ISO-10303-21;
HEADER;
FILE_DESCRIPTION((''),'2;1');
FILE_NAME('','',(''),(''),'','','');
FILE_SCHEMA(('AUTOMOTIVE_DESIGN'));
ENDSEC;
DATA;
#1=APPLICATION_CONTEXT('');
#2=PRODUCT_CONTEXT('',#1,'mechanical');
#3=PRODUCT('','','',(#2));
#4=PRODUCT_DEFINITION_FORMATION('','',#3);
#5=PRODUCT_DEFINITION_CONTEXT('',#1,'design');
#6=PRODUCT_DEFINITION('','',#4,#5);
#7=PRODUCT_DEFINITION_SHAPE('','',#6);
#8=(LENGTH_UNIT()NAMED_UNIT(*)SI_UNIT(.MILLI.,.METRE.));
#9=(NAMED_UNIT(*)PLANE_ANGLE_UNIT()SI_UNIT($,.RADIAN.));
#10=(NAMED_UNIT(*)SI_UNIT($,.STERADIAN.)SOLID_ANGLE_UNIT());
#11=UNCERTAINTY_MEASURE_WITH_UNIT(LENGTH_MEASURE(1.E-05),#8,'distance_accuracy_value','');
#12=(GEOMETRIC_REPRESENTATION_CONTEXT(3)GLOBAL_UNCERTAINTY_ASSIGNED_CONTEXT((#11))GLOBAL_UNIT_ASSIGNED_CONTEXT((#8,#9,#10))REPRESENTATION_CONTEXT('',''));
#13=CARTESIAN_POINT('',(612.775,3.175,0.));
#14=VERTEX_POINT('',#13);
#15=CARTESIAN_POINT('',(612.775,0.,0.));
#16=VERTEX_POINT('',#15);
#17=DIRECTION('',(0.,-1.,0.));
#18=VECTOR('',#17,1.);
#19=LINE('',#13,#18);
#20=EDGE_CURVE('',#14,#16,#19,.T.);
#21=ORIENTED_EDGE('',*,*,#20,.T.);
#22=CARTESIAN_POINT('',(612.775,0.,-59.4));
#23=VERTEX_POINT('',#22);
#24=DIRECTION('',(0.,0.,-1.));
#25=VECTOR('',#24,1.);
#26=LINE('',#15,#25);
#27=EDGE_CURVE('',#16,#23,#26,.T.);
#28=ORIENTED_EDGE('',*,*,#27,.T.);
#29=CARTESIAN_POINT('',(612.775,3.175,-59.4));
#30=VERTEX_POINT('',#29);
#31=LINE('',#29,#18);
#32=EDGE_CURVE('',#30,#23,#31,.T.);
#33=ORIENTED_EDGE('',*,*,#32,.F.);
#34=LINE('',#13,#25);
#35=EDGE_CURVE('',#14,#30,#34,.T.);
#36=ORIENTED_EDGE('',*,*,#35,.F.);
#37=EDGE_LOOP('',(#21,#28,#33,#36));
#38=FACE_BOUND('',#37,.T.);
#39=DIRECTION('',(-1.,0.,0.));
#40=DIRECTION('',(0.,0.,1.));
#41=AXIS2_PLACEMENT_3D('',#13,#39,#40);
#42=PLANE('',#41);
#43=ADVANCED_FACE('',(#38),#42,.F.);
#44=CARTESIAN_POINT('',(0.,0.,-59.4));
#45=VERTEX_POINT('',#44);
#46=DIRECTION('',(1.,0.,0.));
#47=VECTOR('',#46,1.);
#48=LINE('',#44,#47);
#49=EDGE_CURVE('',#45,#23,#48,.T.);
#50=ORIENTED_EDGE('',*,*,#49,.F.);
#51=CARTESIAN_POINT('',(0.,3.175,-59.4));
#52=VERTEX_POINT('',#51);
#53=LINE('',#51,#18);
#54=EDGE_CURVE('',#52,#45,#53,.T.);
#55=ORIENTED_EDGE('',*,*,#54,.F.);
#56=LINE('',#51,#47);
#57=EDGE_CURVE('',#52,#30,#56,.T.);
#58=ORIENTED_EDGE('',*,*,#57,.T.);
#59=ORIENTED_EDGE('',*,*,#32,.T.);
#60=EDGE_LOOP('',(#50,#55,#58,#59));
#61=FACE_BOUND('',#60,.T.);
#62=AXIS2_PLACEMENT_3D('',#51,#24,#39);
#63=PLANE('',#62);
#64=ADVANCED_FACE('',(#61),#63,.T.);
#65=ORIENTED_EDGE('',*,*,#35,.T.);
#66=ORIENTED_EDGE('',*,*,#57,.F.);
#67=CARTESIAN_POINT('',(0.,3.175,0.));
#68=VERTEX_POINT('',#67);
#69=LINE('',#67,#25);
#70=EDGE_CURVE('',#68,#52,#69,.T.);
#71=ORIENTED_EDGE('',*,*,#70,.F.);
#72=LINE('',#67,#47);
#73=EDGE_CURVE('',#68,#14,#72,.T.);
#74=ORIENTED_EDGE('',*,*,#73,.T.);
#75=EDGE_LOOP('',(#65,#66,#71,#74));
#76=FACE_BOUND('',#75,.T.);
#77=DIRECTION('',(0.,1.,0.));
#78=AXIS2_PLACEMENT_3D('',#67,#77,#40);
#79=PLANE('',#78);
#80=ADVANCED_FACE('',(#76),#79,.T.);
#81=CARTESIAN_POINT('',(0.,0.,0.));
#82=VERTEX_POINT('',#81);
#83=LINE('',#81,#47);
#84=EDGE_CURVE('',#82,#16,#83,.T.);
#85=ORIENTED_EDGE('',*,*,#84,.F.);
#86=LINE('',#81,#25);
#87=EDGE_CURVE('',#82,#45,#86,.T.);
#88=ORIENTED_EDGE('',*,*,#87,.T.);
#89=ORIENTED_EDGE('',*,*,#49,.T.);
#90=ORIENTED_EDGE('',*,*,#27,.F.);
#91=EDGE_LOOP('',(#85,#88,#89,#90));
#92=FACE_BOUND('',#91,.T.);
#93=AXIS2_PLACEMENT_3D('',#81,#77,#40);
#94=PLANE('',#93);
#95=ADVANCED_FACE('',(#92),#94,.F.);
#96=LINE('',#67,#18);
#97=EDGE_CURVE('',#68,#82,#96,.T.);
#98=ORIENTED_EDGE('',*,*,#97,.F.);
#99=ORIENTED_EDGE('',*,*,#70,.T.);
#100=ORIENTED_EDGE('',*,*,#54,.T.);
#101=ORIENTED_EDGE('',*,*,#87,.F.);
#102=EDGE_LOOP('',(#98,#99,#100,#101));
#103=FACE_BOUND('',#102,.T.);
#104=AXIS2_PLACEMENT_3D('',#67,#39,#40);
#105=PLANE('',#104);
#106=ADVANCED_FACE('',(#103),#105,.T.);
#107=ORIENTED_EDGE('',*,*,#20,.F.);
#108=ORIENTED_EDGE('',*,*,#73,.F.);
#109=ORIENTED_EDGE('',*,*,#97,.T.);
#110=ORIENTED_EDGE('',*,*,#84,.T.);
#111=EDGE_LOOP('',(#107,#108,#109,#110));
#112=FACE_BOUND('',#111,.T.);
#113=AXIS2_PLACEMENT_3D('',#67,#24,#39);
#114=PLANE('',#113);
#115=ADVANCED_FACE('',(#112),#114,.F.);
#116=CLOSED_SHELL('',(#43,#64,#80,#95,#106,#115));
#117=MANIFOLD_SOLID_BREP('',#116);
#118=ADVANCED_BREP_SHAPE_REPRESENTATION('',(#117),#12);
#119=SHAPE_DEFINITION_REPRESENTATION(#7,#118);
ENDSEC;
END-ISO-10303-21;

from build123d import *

# Parameters (mm, degrees)
SKETCH1_W           = 612.775
SKETCH1_H           = 59.4
BOSS_EXTRUDE1_DEPTH = 3.175


with BuildPart() as part:
    # Sketch1 → Boss-Extrude1 (new body)
    with BuildSketch(Plane(origin=(0, 0, 0), x_dir=(1, 0, 0), z_dir=(0, 1, 0))):
        with Locations((306.3875, 29.7)):
            Rectangle(SKETCH1_W, SKETCH1_H)
    extrude(amount=BOSS_EXTRUDE1_DEPTH)


solid = part.part
